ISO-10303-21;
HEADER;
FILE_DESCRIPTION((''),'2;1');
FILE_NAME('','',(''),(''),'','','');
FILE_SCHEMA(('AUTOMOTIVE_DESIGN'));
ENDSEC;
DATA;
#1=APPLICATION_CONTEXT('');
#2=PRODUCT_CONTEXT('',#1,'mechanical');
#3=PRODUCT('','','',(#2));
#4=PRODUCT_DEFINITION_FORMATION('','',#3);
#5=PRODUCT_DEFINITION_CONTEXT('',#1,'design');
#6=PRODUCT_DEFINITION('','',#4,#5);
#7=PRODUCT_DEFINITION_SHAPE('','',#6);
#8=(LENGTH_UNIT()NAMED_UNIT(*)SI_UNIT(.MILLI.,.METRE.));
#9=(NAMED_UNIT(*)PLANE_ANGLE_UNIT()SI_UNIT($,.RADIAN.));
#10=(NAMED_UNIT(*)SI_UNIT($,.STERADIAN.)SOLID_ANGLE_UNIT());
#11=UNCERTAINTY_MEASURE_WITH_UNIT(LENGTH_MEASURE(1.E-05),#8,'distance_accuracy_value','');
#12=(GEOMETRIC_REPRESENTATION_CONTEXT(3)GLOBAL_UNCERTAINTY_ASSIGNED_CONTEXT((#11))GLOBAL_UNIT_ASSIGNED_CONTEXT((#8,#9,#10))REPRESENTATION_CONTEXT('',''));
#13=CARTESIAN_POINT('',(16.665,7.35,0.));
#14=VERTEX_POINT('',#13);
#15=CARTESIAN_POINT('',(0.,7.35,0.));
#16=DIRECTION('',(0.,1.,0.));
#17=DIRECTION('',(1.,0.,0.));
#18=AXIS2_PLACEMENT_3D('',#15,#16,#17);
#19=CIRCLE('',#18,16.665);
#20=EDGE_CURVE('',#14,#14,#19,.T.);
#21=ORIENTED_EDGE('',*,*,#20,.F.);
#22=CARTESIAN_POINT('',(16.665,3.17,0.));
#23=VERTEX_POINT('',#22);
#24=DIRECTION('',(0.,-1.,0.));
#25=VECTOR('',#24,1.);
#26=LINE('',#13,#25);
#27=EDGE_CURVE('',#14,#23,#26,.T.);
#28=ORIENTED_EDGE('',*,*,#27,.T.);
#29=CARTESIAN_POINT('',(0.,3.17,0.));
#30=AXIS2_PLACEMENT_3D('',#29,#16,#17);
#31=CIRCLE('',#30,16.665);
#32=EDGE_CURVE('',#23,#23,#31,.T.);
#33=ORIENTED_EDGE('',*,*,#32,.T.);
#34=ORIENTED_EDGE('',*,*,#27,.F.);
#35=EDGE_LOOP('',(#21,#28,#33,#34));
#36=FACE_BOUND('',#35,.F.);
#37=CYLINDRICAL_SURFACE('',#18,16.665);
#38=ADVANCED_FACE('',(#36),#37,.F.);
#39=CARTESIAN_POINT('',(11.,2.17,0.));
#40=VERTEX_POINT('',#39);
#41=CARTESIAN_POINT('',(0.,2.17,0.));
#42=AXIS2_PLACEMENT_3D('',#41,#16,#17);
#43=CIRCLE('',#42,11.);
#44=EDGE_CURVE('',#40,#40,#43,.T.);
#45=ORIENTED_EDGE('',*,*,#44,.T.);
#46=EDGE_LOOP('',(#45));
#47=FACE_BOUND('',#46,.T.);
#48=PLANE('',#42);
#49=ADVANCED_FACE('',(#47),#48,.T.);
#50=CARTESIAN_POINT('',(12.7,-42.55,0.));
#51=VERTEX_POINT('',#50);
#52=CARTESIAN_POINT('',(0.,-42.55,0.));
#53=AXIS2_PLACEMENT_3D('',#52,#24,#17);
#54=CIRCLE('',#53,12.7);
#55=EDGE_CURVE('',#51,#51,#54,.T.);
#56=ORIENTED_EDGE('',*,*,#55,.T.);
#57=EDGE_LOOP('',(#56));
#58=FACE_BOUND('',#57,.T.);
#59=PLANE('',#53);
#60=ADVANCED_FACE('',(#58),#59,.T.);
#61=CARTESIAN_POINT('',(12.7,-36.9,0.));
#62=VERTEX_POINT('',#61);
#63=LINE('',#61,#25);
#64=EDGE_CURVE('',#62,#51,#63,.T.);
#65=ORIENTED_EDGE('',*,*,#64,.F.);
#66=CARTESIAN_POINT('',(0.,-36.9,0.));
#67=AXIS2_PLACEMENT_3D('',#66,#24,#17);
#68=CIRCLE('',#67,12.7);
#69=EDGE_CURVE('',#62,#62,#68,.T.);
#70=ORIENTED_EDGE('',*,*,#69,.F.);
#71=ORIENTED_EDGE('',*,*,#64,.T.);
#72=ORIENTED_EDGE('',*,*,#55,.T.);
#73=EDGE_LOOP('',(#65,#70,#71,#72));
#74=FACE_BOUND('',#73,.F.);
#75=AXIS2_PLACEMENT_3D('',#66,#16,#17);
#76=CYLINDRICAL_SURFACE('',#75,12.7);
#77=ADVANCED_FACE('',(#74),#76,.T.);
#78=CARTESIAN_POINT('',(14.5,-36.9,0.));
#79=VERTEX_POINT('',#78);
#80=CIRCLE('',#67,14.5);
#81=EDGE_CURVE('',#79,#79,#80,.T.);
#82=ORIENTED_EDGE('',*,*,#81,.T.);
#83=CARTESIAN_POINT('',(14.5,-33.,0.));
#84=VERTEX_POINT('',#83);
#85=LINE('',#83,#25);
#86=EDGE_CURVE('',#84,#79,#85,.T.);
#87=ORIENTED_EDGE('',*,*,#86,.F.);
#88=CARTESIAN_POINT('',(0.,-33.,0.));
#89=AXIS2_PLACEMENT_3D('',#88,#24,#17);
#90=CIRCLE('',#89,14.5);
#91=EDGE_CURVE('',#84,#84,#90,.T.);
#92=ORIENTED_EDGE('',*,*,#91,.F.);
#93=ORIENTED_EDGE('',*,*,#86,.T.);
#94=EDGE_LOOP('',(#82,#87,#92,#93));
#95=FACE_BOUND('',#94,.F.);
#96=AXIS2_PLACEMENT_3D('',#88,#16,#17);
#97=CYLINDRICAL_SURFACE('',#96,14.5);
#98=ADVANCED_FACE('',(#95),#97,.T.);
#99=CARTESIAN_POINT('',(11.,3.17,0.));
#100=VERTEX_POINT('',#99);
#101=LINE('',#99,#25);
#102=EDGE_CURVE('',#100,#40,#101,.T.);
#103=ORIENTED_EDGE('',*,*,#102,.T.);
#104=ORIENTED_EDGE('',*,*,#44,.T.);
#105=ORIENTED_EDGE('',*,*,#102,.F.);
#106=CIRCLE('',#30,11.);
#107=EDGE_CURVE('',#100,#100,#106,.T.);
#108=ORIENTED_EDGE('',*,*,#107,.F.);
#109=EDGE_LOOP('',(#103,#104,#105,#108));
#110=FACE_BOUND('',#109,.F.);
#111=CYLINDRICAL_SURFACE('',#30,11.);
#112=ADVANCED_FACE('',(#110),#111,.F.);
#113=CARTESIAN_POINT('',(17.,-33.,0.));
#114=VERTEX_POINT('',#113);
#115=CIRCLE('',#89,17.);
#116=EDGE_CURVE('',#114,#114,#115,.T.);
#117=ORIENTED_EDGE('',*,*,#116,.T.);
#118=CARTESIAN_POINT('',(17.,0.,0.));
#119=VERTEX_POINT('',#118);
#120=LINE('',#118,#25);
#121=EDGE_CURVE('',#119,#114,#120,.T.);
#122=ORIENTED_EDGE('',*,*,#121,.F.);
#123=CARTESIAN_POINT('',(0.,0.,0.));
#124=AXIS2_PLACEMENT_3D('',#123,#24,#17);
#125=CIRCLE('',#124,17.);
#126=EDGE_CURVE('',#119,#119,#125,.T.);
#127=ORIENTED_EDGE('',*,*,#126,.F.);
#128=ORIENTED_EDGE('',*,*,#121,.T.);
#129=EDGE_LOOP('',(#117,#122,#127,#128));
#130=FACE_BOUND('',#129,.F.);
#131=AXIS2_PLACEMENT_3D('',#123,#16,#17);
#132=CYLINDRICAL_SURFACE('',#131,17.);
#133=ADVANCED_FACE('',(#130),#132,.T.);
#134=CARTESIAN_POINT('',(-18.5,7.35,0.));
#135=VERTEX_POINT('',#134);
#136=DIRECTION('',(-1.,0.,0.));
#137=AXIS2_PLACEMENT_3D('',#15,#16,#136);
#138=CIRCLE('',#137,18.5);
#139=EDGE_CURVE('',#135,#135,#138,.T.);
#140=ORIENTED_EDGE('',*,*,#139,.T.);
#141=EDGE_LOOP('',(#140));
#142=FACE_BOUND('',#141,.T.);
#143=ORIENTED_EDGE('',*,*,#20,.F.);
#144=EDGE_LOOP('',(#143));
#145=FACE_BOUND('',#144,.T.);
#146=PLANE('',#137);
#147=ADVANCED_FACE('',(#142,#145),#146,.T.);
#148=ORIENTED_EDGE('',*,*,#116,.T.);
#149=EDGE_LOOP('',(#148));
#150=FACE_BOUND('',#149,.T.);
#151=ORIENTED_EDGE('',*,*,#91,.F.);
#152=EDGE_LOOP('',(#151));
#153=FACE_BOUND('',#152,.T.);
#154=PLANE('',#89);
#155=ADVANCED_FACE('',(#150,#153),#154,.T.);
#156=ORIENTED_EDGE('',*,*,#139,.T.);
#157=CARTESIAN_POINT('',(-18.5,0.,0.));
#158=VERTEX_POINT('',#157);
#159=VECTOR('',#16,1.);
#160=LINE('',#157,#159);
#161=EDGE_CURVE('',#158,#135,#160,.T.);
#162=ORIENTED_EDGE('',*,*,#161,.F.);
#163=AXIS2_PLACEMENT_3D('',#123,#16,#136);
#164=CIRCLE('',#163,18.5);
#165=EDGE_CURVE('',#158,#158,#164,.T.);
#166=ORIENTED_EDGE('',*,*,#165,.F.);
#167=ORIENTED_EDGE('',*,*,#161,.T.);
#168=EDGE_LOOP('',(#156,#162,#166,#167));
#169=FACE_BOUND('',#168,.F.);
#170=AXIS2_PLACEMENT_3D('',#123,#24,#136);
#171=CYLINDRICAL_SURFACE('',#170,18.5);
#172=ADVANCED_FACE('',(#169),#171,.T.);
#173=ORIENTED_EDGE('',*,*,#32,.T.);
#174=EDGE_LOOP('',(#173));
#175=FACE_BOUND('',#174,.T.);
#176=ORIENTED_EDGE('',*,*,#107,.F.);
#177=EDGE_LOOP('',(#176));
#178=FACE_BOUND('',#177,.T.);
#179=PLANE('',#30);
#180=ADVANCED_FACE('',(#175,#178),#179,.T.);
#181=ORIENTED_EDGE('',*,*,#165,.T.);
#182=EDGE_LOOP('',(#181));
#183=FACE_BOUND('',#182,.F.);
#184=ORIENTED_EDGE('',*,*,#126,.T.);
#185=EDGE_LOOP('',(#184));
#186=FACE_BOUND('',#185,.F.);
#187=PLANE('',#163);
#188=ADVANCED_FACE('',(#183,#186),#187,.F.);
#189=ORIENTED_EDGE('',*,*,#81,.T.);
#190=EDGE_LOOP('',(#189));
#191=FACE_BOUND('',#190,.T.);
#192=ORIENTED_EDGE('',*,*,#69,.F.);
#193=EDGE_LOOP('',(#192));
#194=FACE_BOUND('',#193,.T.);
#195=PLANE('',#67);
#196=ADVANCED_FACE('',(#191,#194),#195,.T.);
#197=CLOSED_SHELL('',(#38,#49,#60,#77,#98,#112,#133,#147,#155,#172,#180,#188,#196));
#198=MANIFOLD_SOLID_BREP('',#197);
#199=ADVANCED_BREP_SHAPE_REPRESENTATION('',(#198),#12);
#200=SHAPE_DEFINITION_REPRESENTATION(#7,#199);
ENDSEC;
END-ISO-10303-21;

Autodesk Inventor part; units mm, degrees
ref_plane "YZ Plane" through (0, 0, 0) normal (1, 0, 0) x (0, 1, 0)
ref_plane "XZ Plane" through (0, 0, 0) normal (0, 1, 0) x (-1, 0, 0)
ref_plane "XY Plane" through (0, 0, 0) normal (0, 0, 1) x (1, 0, 0)
sketch "Sketch1" plane through (0, 0, 0) normal (0, 1, 0) x (-1, 0, 0)
  circle A0 centre (0, 0) radius 18.5
  dimension "d0" = 37
extrude "Extrusion1" add sketch "Sketch1" along normal blind 7.35
sketch "Sketch2" plane through (0, 7.35, 0) normal (0, 1, 0) x (1, 0, 0)
  circle A0 centre (0, 0) radius 16.665
  dimension "d3" = 33.33
extrude "Extrusion2" cut sketch "Sketch2" against normal blind 4.18
sketch "Sketch3" plane through (0, 0, 0) normal (0, -1, 0) x (1, 0, 0)
  circle A0 centre (0, 0) radius 17
  dimension "d6" = 34
extrude "Extrusion3" add sketch "Sketch3" along normal blind 33
sketch "Sketch4" plane through (0, -33, 0) normal (0, -1, 0) x (1, 0, 0)
  circle A0 centre (0, 0) radius 14.5
  dimension "d9" = 29
extrude "Extrusion4" add sketch "Sketch4" along normal blind 3.9
sketch "Sketch5" plane through (0, -36.9, 0) normal (0, -1, 0) x (1, 0, 0)
  circle A0 centre (0, 0) radius 12.7
  dimension "d12" = 25.4
extrude "Extrusion5" add sketch "Sketch5" along normal blind 5.65
thread "Thread1" size "M26x1.5" class "6g" standard "ANSI Metric M Profile" full length
sketch "Sketch6" plane through (0, 3.17, 0) normal (0, 1, 0) x (1, 0, 0)
  circle A0 centre (0, 0) radius 11
  dimension "d17" = 22
extrude "Extrusion6" cut sketch "Sketch6" against normal blind 1
properties part number "Tamron_M118M06"
